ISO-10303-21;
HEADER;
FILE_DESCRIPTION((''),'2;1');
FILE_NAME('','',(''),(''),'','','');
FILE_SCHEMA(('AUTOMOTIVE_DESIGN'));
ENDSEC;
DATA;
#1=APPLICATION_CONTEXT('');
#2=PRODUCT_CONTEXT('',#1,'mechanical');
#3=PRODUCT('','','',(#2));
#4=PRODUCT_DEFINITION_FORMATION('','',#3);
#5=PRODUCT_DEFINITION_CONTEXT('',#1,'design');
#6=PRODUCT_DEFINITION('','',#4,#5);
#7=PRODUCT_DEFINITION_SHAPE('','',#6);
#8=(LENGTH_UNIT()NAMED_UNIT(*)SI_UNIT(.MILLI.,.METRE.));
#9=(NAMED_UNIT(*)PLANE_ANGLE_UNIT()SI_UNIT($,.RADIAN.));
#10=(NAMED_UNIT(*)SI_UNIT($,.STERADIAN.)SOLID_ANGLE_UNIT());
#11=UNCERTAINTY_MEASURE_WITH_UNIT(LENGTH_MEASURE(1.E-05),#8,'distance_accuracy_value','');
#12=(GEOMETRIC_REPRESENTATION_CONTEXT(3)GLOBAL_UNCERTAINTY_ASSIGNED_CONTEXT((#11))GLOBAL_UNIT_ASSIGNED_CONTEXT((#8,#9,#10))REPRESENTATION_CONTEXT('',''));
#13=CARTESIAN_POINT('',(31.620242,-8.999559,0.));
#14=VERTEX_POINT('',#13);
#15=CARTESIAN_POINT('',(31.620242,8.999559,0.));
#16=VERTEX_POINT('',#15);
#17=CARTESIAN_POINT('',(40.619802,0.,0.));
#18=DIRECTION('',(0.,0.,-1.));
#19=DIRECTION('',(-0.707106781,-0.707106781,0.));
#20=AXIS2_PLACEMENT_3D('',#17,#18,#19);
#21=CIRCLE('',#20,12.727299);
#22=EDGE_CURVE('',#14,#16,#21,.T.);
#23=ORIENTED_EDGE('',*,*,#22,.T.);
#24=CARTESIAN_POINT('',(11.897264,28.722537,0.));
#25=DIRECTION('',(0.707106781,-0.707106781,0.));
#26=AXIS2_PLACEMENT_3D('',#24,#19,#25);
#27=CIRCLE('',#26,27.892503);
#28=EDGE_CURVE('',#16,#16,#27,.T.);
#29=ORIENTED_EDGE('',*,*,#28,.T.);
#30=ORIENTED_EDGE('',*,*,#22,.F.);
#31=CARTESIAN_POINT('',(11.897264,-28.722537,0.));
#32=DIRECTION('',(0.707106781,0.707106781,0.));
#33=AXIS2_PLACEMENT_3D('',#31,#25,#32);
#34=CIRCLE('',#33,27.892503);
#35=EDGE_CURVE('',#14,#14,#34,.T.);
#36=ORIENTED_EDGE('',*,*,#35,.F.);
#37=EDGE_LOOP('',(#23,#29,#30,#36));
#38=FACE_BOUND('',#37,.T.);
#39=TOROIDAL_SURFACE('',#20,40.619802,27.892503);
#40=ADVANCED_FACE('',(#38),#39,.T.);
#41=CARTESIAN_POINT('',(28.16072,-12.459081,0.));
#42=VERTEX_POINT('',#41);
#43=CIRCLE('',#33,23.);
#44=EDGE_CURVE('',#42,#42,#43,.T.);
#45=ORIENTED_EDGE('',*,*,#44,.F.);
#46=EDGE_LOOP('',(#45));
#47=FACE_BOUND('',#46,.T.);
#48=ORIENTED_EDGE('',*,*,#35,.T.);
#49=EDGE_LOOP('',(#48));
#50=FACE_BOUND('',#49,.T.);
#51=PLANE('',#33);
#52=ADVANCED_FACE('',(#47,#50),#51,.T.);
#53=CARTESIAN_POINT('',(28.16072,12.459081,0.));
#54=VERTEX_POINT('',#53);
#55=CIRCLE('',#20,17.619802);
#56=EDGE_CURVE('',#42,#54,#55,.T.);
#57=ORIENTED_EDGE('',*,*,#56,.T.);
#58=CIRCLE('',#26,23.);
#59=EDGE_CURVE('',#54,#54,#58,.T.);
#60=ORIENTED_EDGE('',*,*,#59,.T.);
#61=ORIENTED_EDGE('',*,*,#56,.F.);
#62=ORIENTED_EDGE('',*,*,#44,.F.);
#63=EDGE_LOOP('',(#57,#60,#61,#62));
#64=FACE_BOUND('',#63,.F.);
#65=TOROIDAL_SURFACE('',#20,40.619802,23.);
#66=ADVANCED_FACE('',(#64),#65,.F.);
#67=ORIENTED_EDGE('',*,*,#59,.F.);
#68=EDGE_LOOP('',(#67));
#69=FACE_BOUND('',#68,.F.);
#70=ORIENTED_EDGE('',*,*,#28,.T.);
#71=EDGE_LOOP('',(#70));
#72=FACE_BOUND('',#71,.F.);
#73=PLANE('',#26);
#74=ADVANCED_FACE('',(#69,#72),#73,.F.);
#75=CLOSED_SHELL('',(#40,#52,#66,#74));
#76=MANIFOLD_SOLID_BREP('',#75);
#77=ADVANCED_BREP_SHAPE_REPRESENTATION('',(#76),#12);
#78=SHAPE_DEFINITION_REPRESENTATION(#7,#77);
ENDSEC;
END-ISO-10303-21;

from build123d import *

# Parameters (mm, degrees)
F0_R          = 27.8925028773
F0_R_2        = 23
F1_ANGLE_BACK = 45
F1_ANGLE      = 90


with BuildPart() as f1:
    # F0 (on Front) → F1 (revolve)
    with BuildSketch(Plane.XZ, mode=Mode.PRIVATE) as f1_sk:
        Circle(F0_R)
        Circle(F0_R_2, mode=Mode.SUBTRACT)
    revolve(f1_sk.sketch.rotate(Axis((40.6198017299, 0, -0.7861908525), (0, 0, -1)), -F1_ANGLE_BACK), axis=Axis((40.6198017299, 0, -0.7861908525), (0, 0, -1)), revolution_arc=F1_ANGLE)


solid = f1.part
